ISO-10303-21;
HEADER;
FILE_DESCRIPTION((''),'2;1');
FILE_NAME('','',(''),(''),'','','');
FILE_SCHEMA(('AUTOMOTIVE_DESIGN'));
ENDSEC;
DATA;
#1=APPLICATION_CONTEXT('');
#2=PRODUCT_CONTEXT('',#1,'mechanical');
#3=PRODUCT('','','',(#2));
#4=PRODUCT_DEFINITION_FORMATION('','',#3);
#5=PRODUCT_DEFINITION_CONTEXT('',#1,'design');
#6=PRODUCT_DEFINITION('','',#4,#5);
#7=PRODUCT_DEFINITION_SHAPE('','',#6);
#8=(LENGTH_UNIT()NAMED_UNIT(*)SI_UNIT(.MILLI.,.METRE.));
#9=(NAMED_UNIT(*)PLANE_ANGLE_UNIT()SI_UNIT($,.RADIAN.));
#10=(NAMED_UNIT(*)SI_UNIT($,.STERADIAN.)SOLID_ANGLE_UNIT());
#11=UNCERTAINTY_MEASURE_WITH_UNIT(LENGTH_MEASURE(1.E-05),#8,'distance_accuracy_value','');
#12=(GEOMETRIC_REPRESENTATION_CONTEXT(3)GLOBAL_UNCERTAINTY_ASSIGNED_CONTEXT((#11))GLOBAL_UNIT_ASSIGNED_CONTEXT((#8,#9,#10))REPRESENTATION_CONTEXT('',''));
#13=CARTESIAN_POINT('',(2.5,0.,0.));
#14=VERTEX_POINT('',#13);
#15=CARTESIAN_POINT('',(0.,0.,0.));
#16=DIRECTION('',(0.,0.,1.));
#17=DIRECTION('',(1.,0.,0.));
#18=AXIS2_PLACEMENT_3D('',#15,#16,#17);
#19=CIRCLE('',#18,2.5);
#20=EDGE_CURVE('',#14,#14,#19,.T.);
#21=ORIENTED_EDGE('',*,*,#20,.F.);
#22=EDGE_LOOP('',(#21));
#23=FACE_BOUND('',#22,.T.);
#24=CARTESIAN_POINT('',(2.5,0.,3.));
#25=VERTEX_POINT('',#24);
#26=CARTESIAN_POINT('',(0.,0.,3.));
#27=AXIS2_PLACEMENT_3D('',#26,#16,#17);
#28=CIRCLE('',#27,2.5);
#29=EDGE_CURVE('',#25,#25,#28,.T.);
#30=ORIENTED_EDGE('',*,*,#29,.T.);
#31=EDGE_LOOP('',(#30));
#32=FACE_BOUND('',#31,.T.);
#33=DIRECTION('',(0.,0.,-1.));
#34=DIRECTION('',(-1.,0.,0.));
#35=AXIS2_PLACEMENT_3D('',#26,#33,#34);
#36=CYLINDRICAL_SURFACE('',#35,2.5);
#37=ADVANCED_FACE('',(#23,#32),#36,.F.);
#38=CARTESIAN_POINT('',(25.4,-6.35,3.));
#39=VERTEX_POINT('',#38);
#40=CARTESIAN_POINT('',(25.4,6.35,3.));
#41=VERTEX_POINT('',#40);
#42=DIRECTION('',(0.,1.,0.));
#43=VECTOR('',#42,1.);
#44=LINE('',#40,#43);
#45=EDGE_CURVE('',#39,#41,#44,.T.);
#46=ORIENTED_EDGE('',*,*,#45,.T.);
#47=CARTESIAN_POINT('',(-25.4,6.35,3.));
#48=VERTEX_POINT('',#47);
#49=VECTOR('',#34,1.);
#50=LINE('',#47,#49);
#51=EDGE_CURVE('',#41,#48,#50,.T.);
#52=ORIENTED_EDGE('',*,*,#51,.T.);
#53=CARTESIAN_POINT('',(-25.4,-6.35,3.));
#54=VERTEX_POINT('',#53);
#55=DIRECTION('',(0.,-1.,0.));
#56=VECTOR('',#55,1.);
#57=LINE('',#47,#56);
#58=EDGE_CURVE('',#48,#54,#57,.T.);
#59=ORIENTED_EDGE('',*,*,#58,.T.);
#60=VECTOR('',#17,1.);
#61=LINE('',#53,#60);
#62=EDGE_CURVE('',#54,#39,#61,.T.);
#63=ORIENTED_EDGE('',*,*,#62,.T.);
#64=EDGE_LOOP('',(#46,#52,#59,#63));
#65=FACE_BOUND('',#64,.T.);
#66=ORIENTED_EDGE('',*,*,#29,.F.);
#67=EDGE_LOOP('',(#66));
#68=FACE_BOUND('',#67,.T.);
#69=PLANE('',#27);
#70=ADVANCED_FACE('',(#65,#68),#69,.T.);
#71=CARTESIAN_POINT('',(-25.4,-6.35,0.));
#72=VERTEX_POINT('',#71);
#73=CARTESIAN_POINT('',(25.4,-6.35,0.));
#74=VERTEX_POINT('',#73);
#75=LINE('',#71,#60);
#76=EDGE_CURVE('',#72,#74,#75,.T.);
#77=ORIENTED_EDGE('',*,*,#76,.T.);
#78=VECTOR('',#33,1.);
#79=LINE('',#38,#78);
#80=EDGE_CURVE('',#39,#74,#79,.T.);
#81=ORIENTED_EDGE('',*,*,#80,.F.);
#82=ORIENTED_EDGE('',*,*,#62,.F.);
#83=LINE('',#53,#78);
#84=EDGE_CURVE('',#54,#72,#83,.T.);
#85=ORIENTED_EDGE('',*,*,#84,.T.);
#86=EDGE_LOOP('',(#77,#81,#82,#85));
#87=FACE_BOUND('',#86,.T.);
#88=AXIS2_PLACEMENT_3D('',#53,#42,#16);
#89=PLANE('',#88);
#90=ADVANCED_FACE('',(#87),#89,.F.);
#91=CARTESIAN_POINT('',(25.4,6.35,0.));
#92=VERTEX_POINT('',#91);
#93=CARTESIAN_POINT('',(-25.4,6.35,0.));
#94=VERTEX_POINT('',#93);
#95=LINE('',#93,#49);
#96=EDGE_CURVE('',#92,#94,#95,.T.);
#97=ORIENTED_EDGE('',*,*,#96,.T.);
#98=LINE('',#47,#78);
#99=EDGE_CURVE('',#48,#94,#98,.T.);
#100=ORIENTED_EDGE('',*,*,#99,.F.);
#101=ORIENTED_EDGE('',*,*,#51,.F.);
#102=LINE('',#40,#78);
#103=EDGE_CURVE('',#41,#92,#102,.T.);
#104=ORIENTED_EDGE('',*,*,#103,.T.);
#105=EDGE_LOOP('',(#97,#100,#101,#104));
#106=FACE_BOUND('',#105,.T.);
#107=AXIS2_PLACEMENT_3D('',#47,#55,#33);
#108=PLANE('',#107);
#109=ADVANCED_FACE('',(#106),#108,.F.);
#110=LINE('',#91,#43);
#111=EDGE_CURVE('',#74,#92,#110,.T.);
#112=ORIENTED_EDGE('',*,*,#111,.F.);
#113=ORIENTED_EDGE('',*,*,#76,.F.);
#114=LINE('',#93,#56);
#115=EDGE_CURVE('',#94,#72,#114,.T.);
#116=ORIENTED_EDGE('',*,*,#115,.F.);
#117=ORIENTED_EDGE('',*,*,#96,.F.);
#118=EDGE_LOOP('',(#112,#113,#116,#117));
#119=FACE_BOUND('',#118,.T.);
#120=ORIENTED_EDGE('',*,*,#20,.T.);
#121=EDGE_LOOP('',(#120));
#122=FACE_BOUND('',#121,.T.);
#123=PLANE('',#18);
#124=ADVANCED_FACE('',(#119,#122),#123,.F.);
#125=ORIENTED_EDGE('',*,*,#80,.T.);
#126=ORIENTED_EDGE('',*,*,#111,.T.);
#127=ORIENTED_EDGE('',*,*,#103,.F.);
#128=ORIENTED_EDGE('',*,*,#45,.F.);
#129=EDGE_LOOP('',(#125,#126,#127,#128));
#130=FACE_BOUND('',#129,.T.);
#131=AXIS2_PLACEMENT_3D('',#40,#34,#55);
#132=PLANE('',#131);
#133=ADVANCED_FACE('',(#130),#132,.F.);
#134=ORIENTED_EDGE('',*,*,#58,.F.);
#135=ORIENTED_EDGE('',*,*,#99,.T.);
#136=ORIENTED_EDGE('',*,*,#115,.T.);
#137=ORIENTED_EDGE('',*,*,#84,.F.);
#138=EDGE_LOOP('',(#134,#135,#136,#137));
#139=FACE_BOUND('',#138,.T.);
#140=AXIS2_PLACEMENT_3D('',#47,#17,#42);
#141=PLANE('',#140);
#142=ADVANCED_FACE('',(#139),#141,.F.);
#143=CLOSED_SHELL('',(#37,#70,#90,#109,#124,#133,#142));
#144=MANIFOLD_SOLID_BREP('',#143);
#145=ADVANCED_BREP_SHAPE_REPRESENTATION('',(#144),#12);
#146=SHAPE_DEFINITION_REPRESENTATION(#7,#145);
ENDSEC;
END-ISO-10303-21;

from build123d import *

# Parameters (mm, degrees)
SKETCH1_W           = 50.8
SKETCH1_H           = 12.7
SKETCH1_R           = 2.5
BOSS_EXTRUDE1_DEPTH = 3


with BuildPart() as part:
    # Sketch1 → Boss-Extrude1 (new body)
    with BuildSketch(Plane.XY):
        Rectangle(SKETCH1_W, SKETCH1_H)
        Circle(SKETCH1_R, mode=Mode.SUBTRACT)
    extrude(amount=BOSS_EXTRUDE1_DEPTH)


solid = part.part
